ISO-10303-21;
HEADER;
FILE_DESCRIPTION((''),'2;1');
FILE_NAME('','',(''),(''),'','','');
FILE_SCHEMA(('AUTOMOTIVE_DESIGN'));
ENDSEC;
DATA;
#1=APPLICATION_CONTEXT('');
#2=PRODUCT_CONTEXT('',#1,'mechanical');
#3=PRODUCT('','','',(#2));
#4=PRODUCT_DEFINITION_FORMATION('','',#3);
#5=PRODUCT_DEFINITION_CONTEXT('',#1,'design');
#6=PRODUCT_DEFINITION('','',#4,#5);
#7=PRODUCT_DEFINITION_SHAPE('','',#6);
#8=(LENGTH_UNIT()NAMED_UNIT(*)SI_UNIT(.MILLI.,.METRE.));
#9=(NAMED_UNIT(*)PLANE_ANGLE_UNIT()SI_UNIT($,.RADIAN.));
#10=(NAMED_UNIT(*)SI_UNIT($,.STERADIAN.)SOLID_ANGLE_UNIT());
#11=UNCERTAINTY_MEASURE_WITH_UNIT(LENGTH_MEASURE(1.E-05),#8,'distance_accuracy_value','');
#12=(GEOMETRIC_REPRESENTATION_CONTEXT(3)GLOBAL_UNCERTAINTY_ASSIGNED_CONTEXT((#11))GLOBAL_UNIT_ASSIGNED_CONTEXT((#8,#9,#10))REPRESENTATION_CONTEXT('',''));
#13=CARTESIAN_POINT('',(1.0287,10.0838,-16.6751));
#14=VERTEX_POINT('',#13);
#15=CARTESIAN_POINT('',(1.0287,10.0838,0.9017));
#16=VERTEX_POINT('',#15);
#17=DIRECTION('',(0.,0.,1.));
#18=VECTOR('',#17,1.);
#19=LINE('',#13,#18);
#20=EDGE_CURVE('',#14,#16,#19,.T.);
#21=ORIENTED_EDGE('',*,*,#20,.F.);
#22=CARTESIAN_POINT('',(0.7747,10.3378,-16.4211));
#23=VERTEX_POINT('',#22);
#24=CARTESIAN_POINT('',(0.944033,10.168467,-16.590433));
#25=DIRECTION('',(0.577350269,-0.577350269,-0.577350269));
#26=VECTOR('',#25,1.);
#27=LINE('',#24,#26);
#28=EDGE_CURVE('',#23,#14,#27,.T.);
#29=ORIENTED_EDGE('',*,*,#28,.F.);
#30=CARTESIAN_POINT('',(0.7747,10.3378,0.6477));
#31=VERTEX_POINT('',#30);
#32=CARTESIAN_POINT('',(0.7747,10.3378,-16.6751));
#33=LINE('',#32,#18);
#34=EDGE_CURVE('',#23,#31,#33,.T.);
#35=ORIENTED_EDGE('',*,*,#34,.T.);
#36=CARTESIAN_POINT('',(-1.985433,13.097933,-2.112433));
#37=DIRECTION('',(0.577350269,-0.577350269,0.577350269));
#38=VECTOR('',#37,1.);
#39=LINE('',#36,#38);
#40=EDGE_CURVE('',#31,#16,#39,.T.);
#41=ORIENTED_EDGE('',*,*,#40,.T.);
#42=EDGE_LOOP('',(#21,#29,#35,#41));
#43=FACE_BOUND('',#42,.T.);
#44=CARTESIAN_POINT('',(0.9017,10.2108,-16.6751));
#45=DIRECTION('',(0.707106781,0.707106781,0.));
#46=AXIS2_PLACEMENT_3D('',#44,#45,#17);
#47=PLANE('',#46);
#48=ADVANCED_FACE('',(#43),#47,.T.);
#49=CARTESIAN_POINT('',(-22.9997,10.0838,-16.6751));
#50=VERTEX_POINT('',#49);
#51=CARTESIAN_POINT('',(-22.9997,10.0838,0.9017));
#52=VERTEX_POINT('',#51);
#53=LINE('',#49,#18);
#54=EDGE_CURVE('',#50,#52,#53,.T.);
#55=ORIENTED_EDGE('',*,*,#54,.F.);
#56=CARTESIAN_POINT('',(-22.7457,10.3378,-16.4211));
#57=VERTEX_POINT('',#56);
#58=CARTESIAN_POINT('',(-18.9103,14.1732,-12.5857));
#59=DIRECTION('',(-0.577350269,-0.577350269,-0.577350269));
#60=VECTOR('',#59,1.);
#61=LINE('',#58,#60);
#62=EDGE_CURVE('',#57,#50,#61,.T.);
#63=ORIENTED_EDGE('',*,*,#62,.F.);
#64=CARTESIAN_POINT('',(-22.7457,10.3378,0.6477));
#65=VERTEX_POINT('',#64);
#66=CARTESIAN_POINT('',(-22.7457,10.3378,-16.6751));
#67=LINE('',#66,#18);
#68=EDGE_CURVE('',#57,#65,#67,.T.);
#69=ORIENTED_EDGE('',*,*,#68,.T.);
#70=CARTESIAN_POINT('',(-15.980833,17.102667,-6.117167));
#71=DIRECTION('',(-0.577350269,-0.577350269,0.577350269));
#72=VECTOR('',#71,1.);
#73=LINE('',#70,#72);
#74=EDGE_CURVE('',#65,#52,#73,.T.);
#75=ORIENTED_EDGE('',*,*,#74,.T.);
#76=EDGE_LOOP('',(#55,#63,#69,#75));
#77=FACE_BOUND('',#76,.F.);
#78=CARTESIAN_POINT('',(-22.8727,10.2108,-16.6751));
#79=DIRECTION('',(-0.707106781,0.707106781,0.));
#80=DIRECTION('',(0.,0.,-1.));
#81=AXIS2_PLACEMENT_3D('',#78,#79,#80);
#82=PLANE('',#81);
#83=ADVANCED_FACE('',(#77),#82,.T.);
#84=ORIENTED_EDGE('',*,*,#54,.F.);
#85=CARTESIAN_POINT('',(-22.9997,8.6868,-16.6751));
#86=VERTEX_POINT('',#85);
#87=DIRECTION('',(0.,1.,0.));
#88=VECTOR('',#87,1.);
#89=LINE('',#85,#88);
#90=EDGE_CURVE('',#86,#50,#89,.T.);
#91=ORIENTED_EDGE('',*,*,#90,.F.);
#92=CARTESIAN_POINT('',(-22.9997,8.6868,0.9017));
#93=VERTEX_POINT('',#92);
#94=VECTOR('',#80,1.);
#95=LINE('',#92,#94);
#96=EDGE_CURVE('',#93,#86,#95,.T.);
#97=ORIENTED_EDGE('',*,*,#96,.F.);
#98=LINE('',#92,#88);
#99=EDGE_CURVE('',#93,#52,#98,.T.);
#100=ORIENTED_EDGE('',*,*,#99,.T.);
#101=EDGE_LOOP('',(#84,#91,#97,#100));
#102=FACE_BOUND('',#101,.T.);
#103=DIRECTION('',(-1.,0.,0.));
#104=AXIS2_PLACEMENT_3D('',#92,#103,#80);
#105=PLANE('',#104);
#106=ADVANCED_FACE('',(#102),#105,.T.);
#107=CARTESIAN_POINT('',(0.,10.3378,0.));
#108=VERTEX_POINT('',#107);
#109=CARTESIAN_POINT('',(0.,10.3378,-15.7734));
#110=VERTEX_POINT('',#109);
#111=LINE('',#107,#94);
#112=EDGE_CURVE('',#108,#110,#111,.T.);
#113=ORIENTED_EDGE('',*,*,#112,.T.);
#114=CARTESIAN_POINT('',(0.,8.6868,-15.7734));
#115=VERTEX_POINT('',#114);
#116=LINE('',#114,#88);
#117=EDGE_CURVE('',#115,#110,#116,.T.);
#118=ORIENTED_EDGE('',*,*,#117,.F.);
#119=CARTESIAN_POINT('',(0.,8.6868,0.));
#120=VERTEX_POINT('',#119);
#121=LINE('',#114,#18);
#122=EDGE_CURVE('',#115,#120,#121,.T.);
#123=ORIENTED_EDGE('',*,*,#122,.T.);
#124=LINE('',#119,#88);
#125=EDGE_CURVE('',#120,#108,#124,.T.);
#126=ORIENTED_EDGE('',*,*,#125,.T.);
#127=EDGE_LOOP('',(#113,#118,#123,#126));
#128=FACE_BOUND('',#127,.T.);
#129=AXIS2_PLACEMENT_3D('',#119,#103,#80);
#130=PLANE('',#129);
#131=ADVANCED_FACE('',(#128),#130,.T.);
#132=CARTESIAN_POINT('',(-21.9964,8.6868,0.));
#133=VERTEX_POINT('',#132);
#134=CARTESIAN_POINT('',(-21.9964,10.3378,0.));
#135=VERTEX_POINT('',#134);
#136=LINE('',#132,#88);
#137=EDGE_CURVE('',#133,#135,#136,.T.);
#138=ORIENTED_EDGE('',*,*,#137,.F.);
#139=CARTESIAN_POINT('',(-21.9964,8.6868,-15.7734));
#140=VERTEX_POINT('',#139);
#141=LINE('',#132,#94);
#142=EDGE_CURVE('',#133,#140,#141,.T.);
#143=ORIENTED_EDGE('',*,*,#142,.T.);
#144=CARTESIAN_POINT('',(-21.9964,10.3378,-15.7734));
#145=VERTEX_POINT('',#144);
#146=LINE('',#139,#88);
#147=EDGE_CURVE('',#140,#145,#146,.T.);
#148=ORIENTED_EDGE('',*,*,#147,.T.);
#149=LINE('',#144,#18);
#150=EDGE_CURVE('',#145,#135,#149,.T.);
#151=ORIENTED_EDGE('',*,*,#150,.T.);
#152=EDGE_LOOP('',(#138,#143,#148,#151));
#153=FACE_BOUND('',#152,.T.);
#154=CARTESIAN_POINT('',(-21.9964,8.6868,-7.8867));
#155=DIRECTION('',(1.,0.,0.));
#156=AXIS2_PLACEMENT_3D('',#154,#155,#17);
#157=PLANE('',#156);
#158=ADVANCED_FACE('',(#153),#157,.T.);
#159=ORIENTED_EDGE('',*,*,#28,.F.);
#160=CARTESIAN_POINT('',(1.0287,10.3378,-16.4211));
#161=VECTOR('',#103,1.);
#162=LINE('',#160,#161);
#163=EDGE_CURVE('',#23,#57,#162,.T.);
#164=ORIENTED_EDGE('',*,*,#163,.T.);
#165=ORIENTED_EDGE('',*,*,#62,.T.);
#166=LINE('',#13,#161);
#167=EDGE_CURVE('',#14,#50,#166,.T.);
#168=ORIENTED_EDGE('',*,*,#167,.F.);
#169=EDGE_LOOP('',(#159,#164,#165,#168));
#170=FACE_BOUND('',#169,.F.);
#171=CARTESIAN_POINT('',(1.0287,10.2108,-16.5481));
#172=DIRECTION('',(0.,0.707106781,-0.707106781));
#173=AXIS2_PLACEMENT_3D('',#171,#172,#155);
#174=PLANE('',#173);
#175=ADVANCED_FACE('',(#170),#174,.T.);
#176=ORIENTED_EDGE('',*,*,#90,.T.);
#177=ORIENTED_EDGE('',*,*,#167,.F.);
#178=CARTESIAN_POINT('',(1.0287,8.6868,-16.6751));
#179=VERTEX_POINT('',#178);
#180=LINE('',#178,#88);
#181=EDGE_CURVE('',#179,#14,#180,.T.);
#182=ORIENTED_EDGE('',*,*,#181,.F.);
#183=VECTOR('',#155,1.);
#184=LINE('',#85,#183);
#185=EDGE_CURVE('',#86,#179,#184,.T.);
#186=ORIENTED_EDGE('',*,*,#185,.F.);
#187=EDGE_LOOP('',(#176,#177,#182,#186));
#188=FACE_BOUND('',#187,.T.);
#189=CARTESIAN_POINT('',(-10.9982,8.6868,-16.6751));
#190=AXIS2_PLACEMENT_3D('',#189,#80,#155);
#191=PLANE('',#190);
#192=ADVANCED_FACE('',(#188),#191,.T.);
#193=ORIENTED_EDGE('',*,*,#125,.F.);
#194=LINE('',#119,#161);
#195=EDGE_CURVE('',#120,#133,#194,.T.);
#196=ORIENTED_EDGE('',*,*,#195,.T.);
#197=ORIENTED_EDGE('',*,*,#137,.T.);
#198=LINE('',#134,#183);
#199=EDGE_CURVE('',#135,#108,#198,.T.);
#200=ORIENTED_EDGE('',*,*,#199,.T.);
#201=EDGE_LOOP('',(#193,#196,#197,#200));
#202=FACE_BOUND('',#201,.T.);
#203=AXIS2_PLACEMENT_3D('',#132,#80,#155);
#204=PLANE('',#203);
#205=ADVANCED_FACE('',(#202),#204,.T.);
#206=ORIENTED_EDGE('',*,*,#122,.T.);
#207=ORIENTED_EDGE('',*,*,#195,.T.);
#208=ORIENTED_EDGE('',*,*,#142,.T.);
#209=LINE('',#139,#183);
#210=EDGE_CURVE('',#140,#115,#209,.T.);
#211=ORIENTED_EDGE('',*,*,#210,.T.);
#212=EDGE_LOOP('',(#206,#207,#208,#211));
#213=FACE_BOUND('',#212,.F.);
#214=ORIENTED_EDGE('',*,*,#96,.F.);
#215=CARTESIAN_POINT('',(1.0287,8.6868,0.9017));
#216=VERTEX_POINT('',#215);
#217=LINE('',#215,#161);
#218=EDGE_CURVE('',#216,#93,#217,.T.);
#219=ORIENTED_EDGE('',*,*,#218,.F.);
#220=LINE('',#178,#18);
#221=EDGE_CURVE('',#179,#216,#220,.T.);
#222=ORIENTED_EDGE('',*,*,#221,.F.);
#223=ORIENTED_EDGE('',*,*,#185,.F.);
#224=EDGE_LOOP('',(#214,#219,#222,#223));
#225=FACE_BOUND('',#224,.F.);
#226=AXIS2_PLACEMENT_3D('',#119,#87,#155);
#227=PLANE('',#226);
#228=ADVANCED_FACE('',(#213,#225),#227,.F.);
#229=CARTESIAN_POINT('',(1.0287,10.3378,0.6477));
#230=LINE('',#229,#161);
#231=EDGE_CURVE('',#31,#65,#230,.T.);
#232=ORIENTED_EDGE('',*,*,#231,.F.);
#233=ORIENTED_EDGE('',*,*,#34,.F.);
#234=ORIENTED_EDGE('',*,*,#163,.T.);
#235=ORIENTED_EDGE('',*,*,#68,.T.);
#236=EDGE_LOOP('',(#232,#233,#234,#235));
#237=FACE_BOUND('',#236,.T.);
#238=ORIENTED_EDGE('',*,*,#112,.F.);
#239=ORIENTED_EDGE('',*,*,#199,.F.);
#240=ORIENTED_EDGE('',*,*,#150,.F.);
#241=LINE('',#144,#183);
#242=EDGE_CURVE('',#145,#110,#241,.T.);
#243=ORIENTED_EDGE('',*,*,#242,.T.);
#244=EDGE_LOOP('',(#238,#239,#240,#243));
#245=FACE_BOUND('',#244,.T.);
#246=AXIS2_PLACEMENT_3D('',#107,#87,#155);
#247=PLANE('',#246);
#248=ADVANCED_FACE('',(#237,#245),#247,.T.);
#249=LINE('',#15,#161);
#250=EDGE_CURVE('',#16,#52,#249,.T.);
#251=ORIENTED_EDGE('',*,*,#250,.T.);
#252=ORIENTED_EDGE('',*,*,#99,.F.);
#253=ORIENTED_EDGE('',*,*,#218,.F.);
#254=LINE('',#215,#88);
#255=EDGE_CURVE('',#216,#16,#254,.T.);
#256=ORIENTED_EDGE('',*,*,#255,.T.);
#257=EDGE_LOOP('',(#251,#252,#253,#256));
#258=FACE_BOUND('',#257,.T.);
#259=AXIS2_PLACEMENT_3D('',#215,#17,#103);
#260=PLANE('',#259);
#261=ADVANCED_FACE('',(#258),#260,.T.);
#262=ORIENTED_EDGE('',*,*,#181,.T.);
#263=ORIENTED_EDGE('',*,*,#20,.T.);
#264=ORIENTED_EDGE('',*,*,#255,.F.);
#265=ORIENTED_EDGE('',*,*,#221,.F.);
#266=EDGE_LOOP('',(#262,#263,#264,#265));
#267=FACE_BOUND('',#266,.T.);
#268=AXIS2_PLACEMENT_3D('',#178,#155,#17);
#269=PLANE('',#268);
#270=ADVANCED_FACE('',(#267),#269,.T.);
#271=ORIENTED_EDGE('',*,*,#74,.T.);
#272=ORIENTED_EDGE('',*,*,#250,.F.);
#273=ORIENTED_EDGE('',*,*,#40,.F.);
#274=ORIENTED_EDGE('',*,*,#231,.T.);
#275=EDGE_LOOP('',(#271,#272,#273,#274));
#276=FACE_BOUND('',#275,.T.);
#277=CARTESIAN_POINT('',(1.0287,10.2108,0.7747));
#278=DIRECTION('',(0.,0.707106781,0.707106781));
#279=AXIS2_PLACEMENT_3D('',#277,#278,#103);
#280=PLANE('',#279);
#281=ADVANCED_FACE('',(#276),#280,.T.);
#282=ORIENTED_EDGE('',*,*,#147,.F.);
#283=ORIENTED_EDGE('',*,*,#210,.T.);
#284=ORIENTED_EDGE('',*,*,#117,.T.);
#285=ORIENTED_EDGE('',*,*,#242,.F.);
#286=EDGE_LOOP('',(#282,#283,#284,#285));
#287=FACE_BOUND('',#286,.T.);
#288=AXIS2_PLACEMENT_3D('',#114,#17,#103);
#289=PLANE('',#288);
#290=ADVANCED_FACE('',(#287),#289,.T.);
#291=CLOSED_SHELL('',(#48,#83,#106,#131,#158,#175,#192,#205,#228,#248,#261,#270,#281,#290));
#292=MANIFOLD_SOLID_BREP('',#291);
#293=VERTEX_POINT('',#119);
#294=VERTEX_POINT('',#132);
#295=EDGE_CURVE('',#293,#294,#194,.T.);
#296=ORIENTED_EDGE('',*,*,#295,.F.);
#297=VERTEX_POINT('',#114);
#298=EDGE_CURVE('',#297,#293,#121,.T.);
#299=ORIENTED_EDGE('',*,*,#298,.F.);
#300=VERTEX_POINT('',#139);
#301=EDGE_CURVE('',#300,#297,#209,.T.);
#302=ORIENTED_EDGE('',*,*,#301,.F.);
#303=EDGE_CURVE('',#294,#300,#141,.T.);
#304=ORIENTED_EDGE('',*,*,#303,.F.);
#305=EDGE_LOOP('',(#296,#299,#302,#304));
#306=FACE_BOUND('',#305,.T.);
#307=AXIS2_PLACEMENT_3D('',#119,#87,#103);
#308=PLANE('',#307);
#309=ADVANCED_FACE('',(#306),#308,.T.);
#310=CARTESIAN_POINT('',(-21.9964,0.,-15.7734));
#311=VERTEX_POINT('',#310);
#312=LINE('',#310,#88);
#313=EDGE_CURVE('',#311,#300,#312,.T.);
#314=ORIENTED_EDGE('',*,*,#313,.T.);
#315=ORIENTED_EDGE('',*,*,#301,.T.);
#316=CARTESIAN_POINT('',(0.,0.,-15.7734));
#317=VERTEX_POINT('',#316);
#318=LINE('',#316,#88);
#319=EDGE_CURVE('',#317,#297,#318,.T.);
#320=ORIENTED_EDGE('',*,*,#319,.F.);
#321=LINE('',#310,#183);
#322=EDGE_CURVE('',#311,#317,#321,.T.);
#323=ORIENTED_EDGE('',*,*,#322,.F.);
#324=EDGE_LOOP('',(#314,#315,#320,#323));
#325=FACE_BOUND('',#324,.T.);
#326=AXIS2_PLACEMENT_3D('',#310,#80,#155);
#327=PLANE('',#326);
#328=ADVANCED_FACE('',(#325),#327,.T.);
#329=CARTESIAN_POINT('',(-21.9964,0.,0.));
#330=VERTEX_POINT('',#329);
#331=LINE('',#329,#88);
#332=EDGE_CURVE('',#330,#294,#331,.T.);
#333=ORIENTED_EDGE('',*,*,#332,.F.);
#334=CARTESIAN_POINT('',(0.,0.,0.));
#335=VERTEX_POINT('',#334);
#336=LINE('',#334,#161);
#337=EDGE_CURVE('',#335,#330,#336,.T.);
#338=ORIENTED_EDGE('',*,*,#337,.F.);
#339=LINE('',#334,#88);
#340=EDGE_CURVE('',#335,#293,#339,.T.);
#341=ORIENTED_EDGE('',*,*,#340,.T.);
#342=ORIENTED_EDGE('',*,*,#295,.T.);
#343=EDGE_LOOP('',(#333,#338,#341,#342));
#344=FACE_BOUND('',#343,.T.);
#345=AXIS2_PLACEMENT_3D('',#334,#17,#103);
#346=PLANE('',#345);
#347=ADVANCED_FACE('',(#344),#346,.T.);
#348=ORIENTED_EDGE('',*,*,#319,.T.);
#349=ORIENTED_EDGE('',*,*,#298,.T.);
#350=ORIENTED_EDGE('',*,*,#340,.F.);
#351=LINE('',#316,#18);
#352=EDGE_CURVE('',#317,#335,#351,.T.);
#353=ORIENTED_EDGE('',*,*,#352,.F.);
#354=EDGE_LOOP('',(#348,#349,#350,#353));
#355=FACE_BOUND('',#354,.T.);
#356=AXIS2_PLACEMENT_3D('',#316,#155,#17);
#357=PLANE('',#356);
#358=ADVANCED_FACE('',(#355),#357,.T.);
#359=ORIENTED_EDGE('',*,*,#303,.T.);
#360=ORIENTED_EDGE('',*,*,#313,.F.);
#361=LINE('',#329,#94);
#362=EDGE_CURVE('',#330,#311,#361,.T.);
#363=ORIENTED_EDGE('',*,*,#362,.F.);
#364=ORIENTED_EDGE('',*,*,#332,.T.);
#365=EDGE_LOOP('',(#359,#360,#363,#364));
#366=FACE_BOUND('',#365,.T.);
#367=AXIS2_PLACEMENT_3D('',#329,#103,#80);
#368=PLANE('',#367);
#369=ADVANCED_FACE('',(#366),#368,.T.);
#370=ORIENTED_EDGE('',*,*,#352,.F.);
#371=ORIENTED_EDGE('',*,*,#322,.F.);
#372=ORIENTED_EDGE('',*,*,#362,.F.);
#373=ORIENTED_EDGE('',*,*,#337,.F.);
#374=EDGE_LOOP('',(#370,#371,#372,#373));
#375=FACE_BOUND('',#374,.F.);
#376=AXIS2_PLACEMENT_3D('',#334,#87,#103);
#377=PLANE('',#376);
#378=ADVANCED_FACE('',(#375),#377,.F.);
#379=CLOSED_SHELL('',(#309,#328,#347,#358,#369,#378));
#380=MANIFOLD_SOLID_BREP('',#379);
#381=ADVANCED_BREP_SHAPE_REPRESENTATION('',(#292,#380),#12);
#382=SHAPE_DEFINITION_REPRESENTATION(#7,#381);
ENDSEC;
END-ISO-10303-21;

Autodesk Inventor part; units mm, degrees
ref_plane "YZ Plane" through (0, 0, 0) normal (1, 0, 0) x (0, 1, 0)
ref_plane "XZ Plane" through (0, 0, 0) normal (0, 1, 0) x (-1, 0, 0)
ref_plane "XY Plane" through (0, 0, 0) normal (0, 0, 1) x (1, 0, 0)
sketch "Sketch1" plane through (0, 0, 0) normal (0, 1, 0) x (-1, 0, 0)
  line L0 (0, 0) -> (21.9964, 0)
  line L1 (21.9964, 0) -> (21.9964, -15.7734)
  line L2 (21.9964, -15.7734) -> (0, -15.7734)
  line L3 (0, -15.7734) -> (0, 0)
  dimension "d0" = 21.9964
  dimension "d1" = 15.7734
extrude "Extrusion1" add sketch "Sketch1" along normal blind 8.6868
sketch "Sketch2" plane through (0, 8.6868, 0) normal (0, 1, 0) x (1, 0, 0)
  line L0 (-21.9964, 0) -> (0, 0) projected
  line L1 (0, 0) -> (0, 15.7734) projected
  line L2 (0, 15.7734) -> (-21.9964, 15.7734) projected
  line L3 (-21.9964, 15.7734) -> (-21.9964, 0) projected
  line L4 (-10.9982, 7.8867) -> (-10.9982, 16.6751)
  line L5 (-10.9982, 7.8867) -> (-22.9997, 7.8867)
  line L6 (-22.9997, 16.6751) -> (1.0287, 16.6751)
  line L7 (1.0287, 16.6751) -> (1.0287, -0.9017)
  line L8 (1.0287, -0.9017) -> (-22.9997, -0.9017)
  line L9 (-22.9997, -0.9017) -> (-22.9997, 16.6751)
  dimension "d4" = 8.7884
  dimension "d5" = 12.0015
  dimension "d6" = 24.0284
  dimension "d7" = 17.5768
  dimension "d8" = 0
  dimension "d9" = 7.8867
extrude "Extrusion2" add sketch "Sketch2" along normal blind 1.651 contours L0 L1 L2 L4 L6 L7 L8 L9 L5 L3 | L5 L9 L6 L4 L2 L3
chamfer "Chamfer1" distance 0.254 angle 45 4 edges at (-10.9855, 10.3378, 0.9017) (1.0287, 10.3378, -7.8867) (-10.9855, 10.3378, -16.6751) (-22.9997, 10.3378, -7.8867)
properties part number "LED_BUTTON"
